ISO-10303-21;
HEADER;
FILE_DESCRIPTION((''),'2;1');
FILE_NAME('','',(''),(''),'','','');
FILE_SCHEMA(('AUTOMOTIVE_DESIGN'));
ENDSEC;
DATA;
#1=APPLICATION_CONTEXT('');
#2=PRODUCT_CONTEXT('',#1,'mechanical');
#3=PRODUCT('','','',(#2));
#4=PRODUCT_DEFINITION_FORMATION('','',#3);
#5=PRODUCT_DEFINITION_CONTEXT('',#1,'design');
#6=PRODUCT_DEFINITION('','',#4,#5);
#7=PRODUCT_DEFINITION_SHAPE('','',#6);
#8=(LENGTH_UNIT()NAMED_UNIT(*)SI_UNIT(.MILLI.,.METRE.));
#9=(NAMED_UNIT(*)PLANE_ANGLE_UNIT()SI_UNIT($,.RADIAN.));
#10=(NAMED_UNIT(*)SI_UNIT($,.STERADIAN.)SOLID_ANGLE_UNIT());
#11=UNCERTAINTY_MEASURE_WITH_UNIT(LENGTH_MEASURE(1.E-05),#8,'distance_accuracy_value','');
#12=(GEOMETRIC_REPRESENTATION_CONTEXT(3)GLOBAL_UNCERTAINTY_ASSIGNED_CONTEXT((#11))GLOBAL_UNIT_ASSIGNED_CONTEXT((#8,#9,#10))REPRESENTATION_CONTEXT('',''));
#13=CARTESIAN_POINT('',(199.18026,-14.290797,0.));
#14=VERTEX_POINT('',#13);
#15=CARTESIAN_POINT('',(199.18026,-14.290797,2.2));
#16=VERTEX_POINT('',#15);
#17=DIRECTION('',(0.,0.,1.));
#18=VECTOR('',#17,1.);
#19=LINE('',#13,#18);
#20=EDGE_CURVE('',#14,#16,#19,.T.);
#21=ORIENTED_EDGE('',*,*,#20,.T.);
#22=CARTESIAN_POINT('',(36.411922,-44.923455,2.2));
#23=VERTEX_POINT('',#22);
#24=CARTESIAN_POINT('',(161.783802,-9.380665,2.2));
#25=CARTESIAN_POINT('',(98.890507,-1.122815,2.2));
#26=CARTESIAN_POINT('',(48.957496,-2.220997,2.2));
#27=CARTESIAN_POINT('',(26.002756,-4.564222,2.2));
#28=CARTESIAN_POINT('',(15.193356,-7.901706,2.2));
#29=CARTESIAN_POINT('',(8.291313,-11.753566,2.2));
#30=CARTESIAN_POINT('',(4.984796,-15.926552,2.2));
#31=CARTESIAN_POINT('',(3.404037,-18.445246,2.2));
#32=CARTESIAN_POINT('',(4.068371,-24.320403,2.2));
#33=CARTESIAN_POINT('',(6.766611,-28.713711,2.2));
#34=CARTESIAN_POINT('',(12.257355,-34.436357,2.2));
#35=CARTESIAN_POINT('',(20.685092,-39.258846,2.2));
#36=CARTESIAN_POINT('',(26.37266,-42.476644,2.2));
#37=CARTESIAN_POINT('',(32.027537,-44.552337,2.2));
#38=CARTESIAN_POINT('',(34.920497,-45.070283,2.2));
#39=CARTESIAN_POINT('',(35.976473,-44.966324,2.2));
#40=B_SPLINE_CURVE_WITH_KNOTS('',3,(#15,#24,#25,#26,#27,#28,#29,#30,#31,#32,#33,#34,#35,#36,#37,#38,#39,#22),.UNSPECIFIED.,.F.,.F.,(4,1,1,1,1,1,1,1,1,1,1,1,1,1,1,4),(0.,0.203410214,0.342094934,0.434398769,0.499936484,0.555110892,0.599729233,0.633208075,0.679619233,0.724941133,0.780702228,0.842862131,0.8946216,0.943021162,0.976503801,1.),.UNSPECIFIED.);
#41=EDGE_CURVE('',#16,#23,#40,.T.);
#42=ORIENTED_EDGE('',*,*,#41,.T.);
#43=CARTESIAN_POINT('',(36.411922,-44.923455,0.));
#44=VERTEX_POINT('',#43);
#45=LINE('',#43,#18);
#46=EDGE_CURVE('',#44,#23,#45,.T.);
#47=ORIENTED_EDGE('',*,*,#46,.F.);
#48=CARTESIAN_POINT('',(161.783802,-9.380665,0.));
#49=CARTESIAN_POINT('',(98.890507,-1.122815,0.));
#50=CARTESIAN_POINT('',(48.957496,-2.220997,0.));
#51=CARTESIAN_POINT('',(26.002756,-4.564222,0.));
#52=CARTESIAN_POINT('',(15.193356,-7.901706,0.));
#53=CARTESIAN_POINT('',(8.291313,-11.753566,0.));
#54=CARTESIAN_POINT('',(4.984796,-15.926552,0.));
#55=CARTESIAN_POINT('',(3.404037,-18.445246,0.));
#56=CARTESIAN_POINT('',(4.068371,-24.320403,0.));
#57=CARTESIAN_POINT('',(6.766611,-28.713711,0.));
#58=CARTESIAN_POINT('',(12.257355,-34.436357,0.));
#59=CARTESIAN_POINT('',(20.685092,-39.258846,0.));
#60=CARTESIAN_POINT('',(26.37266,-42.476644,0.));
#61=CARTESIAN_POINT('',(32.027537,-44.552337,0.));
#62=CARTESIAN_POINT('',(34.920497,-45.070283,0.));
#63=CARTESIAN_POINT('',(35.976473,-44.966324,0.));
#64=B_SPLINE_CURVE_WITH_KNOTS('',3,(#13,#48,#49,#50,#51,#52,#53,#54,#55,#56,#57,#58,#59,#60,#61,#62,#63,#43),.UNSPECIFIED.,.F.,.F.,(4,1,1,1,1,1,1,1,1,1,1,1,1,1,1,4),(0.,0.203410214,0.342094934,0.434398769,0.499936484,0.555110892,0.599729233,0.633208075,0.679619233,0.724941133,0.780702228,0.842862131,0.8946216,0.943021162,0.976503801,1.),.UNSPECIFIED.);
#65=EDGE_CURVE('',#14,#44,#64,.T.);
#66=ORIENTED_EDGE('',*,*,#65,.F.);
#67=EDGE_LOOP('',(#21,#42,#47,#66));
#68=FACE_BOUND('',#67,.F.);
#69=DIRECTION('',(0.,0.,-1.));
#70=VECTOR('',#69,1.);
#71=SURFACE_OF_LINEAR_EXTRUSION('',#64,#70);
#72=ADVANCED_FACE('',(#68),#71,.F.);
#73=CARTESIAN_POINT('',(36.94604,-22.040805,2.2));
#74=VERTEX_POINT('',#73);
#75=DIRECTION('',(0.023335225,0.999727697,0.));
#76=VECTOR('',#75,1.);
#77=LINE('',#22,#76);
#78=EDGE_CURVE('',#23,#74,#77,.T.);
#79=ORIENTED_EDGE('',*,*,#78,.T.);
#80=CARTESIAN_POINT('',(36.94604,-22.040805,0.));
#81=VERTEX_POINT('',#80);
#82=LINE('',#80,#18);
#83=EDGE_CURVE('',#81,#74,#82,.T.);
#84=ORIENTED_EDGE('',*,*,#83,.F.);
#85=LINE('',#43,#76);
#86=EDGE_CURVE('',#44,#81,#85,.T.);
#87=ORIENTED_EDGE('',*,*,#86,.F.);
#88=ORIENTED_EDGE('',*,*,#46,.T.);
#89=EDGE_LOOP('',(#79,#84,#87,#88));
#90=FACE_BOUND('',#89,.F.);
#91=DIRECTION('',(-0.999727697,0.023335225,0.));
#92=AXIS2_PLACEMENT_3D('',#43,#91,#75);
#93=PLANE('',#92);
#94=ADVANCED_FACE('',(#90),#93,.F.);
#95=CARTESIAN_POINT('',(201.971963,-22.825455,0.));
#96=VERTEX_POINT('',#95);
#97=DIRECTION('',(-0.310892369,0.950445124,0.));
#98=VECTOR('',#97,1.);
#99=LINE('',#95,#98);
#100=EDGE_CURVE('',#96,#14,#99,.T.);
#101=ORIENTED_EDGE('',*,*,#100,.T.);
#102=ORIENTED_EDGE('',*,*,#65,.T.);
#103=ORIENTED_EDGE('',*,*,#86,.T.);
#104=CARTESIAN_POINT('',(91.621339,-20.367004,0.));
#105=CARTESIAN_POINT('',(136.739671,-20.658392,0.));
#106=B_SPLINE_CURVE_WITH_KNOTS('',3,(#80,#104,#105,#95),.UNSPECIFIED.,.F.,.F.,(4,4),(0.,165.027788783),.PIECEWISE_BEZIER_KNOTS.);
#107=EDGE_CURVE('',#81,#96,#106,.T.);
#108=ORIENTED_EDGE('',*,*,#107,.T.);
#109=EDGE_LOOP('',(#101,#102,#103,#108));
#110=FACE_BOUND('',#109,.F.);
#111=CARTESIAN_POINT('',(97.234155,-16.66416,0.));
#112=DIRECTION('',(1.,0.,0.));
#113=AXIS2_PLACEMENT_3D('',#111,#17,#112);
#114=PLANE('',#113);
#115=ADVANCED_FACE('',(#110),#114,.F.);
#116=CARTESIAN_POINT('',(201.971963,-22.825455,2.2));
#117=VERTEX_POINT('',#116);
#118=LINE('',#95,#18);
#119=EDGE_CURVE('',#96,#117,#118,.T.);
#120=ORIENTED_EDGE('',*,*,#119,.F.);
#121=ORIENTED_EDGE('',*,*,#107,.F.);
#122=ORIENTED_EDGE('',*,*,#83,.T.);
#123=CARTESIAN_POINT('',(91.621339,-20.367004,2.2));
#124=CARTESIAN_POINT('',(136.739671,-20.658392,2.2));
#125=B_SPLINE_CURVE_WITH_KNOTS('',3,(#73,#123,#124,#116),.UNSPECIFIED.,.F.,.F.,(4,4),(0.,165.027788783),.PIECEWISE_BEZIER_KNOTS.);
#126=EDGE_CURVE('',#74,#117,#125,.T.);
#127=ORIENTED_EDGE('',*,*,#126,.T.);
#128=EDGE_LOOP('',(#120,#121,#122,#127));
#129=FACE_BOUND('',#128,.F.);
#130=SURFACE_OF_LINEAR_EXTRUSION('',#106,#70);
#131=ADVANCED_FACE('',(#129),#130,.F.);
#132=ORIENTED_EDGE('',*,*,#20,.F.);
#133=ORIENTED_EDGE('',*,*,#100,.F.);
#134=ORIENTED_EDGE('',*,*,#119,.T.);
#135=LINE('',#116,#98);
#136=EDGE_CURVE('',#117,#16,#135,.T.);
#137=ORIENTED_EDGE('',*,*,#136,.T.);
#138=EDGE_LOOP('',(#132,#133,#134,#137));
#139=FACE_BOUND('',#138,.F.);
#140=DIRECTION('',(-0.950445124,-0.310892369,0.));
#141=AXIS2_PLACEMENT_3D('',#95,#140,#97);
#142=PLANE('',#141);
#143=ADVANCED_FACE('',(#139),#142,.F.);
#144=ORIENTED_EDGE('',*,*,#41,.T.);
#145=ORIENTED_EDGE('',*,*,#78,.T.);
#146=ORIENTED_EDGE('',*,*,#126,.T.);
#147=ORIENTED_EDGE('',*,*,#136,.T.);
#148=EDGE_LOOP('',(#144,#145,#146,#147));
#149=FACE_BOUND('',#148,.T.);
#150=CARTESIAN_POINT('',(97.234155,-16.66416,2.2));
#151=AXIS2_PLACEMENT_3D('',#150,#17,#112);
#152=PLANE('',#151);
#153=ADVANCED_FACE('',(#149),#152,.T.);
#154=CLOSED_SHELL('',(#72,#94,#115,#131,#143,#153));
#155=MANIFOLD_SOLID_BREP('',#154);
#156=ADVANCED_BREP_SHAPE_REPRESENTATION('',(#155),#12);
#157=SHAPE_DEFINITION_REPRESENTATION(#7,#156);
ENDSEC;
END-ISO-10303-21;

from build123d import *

# Parameters (mm, degrees)
F1_DEPTH = 2.2


with BuildPart() as f1:
    # F0 (on Top) → F1 (new body)
    with BuildSketch(Plane.XY):
        with BuildLine():
            Line((36.411922425, -44.9234545231), (36.9460396469, -22.0408048481))
            add(Edge.make_bspline(
                [(36.9460396469, -22.0408048481), (91.6213393211, -20.3670039773), (136.7396712303, -20.6583924592), (201.971963048, -22.8254552931)],
                knots=[0, 0, 0, 0, 165.0277887833, 165.0277887833, 165.0277887833, 165.0277887833], degree=3))
            Line((201.971963048, -22.8254552931), (199.1802603006, -14.2907965928))
            add(Edge.make_bspline(
                [(199.1802603006, -14.2907965928), (161.7838024669, -9.3806652772), (98.8905067097, -1.1228152311), (48.9574962921, -2.2209972129), (26.0027556378, -4.5642221522), (15.1933556956, -7.9017056774), (8.2913126756, -11.7535662204), (4.9847959903, -15.9265522777), (3.40403681, -18.4452460876), (4.0683706249, -24.320403391), (6.7666114964, -28.7137109319), (12.2573549705, -34.4363574684), (20.6850918001, -39.2588462932), (26.3726595523, -42.4766443034), (32.0275374455, -44.5523372009), (34.9204973536, -45.0702833405), (35.9764728526, -44.9663239551), (36.411922425, -44.9234545231)],
                knots=[0, 0, 0, 0, 0.2034102143, 0.3420949339, 0.4343987692, 0.4999364838, 0.5551108915, 0.5997292328, 0.6332080747, 0.6796192335, 0.7249411326, 0.7807022279, 0.8428621307, 0.8946216004, 0.9430211623, 0.976503801, 1, 1, 1, 1], degree=3))
        make_face()
    extrude(amount=F1_DEPTH)


solid = f1.part
